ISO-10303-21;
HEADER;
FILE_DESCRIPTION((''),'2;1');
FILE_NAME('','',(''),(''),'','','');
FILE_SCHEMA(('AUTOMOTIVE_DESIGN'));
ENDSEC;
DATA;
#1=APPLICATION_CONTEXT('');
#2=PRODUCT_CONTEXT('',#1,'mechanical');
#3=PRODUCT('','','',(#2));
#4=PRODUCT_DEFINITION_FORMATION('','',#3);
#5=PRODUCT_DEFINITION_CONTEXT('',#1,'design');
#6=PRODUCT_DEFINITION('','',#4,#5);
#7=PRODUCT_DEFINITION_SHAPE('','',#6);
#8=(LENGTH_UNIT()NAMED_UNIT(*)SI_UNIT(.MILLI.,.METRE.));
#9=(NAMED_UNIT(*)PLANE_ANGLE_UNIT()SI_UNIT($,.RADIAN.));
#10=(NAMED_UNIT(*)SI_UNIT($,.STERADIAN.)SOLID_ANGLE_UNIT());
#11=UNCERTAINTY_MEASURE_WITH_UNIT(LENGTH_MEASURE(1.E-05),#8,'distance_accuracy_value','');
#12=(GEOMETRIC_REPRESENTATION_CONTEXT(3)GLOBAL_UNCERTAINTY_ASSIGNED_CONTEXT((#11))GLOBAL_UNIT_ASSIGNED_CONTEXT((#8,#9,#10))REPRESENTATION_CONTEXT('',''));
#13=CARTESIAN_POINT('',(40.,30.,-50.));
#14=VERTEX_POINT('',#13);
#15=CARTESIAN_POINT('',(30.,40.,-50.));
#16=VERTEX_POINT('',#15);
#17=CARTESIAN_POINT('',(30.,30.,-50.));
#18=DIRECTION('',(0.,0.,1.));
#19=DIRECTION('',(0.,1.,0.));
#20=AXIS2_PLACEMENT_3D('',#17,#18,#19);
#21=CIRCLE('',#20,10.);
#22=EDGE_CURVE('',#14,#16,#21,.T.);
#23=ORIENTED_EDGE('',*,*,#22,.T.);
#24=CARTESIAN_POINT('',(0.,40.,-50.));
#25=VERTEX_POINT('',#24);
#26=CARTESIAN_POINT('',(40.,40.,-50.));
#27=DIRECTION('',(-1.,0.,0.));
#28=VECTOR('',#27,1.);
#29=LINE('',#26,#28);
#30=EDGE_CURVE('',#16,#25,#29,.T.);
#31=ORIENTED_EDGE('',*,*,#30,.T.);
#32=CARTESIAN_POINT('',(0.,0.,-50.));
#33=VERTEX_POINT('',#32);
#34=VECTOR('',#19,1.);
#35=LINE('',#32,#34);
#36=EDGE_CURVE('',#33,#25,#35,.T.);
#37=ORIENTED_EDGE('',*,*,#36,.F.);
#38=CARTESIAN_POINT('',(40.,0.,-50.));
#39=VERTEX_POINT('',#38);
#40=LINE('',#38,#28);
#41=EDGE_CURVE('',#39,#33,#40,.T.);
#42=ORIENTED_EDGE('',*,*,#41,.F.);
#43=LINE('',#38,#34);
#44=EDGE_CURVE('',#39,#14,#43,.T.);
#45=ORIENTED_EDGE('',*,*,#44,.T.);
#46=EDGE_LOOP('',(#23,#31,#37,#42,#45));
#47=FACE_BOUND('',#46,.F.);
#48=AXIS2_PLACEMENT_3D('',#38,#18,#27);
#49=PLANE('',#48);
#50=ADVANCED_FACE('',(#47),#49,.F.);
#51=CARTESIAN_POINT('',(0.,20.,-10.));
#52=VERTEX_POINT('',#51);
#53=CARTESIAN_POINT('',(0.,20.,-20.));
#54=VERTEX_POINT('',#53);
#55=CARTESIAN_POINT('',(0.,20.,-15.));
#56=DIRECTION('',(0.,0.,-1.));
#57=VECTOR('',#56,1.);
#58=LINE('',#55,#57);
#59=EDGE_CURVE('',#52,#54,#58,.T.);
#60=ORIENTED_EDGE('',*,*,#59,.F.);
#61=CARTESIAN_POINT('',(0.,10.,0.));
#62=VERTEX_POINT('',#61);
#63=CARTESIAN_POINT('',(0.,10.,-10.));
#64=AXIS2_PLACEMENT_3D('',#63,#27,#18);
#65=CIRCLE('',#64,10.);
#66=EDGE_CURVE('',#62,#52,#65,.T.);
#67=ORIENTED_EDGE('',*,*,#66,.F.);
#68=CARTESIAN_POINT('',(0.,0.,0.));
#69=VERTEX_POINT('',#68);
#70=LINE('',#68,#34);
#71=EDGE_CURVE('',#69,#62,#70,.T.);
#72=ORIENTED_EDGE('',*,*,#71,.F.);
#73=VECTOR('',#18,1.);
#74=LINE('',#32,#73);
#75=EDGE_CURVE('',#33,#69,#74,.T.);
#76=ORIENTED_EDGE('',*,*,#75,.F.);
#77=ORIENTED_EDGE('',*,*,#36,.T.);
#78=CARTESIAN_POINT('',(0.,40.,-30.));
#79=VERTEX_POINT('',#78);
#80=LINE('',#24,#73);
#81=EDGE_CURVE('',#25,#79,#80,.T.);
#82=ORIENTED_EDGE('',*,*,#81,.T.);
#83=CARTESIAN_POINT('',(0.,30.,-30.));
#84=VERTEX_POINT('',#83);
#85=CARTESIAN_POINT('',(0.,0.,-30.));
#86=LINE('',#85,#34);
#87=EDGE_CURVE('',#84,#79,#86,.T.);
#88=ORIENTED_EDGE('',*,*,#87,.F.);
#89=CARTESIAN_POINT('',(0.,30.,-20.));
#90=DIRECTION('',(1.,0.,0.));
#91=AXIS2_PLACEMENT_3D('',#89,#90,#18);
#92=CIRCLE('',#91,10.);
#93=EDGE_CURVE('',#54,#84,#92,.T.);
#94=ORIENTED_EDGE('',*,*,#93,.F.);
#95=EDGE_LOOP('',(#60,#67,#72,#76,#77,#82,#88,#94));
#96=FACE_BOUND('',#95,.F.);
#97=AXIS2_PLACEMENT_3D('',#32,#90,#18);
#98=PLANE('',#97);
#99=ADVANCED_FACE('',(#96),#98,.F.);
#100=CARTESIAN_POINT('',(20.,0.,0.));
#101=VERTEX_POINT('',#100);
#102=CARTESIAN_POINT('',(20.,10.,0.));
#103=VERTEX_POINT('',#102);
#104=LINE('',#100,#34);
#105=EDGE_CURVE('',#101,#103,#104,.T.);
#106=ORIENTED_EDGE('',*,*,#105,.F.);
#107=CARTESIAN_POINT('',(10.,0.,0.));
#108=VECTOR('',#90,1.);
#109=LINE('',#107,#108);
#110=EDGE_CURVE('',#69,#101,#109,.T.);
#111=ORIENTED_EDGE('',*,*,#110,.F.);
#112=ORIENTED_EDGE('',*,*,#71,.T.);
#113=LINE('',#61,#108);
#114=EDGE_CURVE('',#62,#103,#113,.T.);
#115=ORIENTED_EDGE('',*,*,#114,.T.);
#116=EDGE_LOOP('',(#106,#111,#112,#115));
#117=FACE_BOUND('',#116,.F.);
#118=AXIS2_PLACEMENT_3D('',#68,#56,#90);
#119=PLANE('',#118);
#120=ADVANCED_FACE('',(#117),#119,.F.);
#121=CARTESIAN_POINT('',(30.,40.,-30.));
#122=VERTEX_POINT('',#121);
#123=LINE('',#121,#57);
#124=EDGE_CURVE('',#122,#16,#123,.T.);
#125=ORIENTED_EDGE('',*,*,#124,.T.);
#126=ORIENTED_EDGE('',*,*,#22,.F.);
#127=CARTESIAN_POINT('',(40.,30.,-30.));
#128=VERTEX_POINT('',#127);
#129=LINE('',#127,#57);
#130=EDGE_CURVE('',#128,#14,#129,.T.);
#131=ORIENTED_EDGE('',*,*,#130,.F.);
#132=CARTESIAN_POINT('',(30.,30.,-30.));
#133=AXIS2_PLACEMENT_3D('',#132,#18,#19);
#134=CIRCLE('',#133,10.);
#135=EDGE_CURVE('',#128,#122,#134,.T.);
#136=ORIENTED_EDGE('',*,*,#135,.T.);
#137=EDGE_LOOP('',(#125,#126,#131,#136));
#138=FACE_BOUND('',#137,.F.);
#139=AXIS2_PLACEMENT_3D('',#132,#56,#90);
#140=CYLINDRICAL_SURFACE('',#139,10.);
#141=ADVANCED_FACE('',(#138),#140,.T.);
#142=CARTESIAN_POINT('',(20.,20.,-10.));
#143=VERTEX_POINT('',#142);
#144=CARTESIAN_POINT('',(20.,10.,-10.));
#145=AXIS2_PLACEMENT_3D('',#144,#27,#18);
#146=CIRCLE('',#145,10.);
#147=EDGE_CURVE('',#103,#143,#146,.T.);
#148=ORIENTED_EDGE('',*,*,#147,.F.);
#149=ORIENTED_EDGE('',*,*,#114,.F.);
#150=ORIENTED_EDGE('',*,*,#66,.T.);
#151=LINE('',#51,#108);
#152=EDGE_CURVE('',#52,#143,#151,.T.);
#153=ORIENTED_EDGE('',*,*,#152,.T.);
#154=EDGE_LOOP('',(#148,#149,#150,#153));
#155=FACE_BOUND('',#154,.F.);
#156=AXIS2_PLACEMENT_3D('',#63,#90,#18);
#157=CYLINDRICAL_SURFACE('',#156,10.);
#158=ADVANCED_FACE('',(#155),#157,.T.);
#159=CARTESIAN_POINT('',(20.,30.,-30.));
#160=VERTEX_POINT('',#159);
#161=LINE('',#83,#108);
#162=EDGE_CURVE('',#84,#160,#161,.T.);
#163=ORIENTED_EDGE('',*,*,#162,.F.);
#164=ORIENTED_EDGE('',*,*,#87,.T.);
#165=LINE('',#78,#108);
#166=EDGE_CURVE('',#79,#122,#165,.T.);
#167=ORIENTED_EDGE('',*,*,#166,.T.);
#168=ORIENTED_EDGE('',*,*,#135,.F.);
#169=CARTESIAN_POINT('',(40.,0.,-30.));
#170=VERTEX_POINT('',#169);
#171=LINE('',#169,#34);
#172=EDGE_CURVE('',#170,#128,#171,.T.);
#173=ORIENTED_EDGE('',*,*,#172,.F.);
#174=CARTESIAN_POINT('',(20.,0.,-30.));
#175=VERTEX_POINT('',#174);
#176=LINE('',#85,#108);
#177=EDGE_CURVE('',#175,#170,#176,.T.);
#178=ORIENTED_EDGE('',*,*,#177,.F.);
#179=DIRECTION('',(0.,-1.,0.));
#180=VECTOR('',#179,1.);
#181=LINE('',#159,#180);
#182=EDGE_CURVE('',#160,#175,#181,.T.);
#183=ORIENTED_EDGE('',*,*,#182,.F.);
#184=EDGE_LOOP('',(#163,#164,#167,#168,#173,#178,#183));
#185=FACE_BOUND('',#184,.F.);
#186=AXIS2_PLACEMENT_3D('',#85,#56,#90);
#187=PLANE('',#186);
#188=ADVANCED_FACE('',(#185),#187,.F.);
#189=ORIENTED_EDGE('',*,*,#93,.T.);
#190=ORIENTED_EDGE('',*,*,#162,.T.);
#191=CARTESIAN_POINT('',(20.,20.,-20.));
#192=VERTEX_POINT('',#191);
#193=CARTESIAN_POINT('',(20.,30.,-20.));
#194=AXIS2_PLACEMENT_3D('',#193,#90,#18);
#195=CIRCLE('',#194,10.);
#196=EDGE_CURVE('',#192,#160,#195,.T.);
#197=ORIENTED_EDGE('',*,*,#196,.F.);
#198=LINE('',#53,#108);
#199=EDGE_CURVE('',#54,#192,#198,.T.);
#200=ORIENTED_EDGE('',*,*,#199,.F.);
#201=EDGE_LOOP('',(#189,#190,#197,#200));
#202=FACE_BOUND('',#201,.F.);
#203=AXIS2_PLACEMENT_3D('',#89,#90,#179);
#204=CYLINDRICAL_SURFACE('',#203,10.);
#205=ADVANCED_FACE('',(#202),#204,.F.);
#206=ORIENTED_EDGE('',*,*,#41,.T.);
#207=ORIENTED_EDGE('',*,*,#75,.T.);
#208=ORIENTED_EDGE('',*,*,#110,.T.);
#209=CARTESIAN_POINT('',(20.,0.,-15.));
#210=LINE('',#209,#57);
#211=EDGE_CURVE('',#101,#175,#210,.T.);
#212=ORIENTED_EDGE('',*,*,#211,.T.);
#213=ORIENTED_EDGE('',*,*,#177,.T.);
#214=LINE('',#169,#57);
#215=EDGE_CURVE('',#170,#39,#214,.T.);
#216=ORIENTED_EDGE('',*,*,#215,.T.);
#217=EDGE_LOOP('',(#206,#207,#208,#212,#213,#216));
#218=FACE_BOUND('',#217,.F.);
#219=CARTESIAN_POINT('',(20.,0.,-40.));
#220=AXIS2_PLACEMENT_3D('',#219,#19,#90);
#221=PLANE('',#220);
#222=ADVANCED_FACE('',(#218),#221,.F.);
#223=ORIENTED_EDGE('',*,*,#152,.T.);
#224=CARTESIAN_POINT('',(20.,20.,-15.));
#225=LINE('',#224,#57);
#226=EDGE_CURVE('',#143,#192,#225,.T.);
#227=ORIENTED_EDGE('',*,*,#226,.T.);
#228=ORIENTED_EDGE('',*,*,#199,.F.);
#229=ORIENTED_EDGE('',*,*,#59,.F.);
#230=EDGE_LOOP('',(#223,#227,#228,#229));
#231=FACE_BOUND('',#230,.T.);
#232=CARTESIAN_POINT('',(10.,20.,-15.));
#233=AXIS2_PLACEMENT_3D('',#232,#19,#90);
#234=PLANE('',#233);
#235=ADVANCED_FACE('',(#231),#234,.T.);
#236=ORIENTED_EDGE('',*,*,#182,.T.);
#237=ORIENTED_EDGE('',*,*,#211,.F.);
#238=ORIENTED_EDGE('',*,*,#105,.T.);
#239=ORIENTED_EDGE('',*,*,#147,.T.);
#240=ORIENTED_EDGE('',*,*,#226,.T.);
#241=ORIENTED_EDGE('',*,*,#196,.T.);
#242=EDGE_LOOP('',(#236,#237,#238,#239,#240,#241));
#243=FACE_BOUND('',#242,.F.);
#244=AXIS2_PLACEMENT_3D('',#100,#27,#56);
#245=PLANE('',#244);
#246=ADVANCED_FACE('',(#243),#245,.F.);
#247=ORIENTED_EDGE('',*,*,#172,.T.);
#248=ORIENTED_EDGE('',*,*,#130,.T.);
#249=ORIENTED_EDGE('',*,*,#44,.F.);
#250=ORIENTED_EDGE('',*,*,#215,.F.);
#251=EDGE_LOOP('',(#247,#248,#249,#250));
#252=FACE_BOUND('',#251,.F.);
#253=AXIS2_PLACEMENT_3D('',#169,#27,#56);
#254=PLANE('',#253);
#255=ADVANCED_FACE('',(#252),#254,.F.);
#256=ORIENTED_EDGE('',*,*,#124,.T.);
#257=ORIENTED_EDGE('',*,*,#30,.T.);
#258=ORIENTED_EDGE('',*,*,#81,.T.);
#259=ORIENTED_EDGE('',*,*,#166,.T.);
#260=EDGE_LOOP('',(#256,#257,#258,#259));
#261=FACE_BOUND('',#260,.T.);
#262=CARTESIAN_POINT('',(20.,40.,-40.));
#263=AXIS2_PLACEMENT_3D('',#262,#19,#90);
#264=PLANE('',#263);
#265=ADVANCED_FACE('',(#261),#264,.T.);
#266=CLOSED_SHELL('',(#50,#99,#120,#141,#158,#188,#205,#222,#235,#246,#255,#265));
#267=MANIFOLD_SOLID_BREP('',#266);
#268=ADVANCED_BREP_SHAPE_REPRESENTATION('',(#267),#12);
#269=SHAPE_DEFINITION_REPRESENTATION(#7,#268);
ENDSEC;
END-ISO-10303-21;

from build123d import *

# Parameters (mm, degrees)
SKETCH_1_W      = 20
SKETCH_1_H      = 30
EXTRUDE_1_DEPTH = 20
EXTRUDE_2_DEPTH = 40
FILLET_1_R      = 10


with BuildPart() as part:
    # 草圖1 → 填料-伸長1 (new body)
    with BuildSketch(Plane(origin=(0, 0, 0), x_dir=(1, 0, 0), z_dir=(0, 1, 0))):
        with Locations((10, 15)):
            Rectangle(SKETCH_1_W, SKETCH_1_H)
    extrude(amount=EXTRUDE_1_DEPTH)

    # 草圖1<3> → 填料-伸長2 (add)
    with BuildSketch(Plane(origin=(0, 0, 0), x_dir=(1, 0, 0), z_dir=(0, 1, 0))):
        Polygon((0, 50), (0, 30), (20, 30), (40, 30), (40, 50), align=None)
    extrude(amount=EXTRUDE_2_DEPTH)

    # 圓角1
    fillet_1_edges = [part.edges().sort_by_distance(p)[0] for p in [
        (10, 20, 0),
        (10, 20, -30),
        (40, 40, -40),
    ]]
    fillet(fillet_1_edges, radius=FILLET_1_R)


solid = part.part
